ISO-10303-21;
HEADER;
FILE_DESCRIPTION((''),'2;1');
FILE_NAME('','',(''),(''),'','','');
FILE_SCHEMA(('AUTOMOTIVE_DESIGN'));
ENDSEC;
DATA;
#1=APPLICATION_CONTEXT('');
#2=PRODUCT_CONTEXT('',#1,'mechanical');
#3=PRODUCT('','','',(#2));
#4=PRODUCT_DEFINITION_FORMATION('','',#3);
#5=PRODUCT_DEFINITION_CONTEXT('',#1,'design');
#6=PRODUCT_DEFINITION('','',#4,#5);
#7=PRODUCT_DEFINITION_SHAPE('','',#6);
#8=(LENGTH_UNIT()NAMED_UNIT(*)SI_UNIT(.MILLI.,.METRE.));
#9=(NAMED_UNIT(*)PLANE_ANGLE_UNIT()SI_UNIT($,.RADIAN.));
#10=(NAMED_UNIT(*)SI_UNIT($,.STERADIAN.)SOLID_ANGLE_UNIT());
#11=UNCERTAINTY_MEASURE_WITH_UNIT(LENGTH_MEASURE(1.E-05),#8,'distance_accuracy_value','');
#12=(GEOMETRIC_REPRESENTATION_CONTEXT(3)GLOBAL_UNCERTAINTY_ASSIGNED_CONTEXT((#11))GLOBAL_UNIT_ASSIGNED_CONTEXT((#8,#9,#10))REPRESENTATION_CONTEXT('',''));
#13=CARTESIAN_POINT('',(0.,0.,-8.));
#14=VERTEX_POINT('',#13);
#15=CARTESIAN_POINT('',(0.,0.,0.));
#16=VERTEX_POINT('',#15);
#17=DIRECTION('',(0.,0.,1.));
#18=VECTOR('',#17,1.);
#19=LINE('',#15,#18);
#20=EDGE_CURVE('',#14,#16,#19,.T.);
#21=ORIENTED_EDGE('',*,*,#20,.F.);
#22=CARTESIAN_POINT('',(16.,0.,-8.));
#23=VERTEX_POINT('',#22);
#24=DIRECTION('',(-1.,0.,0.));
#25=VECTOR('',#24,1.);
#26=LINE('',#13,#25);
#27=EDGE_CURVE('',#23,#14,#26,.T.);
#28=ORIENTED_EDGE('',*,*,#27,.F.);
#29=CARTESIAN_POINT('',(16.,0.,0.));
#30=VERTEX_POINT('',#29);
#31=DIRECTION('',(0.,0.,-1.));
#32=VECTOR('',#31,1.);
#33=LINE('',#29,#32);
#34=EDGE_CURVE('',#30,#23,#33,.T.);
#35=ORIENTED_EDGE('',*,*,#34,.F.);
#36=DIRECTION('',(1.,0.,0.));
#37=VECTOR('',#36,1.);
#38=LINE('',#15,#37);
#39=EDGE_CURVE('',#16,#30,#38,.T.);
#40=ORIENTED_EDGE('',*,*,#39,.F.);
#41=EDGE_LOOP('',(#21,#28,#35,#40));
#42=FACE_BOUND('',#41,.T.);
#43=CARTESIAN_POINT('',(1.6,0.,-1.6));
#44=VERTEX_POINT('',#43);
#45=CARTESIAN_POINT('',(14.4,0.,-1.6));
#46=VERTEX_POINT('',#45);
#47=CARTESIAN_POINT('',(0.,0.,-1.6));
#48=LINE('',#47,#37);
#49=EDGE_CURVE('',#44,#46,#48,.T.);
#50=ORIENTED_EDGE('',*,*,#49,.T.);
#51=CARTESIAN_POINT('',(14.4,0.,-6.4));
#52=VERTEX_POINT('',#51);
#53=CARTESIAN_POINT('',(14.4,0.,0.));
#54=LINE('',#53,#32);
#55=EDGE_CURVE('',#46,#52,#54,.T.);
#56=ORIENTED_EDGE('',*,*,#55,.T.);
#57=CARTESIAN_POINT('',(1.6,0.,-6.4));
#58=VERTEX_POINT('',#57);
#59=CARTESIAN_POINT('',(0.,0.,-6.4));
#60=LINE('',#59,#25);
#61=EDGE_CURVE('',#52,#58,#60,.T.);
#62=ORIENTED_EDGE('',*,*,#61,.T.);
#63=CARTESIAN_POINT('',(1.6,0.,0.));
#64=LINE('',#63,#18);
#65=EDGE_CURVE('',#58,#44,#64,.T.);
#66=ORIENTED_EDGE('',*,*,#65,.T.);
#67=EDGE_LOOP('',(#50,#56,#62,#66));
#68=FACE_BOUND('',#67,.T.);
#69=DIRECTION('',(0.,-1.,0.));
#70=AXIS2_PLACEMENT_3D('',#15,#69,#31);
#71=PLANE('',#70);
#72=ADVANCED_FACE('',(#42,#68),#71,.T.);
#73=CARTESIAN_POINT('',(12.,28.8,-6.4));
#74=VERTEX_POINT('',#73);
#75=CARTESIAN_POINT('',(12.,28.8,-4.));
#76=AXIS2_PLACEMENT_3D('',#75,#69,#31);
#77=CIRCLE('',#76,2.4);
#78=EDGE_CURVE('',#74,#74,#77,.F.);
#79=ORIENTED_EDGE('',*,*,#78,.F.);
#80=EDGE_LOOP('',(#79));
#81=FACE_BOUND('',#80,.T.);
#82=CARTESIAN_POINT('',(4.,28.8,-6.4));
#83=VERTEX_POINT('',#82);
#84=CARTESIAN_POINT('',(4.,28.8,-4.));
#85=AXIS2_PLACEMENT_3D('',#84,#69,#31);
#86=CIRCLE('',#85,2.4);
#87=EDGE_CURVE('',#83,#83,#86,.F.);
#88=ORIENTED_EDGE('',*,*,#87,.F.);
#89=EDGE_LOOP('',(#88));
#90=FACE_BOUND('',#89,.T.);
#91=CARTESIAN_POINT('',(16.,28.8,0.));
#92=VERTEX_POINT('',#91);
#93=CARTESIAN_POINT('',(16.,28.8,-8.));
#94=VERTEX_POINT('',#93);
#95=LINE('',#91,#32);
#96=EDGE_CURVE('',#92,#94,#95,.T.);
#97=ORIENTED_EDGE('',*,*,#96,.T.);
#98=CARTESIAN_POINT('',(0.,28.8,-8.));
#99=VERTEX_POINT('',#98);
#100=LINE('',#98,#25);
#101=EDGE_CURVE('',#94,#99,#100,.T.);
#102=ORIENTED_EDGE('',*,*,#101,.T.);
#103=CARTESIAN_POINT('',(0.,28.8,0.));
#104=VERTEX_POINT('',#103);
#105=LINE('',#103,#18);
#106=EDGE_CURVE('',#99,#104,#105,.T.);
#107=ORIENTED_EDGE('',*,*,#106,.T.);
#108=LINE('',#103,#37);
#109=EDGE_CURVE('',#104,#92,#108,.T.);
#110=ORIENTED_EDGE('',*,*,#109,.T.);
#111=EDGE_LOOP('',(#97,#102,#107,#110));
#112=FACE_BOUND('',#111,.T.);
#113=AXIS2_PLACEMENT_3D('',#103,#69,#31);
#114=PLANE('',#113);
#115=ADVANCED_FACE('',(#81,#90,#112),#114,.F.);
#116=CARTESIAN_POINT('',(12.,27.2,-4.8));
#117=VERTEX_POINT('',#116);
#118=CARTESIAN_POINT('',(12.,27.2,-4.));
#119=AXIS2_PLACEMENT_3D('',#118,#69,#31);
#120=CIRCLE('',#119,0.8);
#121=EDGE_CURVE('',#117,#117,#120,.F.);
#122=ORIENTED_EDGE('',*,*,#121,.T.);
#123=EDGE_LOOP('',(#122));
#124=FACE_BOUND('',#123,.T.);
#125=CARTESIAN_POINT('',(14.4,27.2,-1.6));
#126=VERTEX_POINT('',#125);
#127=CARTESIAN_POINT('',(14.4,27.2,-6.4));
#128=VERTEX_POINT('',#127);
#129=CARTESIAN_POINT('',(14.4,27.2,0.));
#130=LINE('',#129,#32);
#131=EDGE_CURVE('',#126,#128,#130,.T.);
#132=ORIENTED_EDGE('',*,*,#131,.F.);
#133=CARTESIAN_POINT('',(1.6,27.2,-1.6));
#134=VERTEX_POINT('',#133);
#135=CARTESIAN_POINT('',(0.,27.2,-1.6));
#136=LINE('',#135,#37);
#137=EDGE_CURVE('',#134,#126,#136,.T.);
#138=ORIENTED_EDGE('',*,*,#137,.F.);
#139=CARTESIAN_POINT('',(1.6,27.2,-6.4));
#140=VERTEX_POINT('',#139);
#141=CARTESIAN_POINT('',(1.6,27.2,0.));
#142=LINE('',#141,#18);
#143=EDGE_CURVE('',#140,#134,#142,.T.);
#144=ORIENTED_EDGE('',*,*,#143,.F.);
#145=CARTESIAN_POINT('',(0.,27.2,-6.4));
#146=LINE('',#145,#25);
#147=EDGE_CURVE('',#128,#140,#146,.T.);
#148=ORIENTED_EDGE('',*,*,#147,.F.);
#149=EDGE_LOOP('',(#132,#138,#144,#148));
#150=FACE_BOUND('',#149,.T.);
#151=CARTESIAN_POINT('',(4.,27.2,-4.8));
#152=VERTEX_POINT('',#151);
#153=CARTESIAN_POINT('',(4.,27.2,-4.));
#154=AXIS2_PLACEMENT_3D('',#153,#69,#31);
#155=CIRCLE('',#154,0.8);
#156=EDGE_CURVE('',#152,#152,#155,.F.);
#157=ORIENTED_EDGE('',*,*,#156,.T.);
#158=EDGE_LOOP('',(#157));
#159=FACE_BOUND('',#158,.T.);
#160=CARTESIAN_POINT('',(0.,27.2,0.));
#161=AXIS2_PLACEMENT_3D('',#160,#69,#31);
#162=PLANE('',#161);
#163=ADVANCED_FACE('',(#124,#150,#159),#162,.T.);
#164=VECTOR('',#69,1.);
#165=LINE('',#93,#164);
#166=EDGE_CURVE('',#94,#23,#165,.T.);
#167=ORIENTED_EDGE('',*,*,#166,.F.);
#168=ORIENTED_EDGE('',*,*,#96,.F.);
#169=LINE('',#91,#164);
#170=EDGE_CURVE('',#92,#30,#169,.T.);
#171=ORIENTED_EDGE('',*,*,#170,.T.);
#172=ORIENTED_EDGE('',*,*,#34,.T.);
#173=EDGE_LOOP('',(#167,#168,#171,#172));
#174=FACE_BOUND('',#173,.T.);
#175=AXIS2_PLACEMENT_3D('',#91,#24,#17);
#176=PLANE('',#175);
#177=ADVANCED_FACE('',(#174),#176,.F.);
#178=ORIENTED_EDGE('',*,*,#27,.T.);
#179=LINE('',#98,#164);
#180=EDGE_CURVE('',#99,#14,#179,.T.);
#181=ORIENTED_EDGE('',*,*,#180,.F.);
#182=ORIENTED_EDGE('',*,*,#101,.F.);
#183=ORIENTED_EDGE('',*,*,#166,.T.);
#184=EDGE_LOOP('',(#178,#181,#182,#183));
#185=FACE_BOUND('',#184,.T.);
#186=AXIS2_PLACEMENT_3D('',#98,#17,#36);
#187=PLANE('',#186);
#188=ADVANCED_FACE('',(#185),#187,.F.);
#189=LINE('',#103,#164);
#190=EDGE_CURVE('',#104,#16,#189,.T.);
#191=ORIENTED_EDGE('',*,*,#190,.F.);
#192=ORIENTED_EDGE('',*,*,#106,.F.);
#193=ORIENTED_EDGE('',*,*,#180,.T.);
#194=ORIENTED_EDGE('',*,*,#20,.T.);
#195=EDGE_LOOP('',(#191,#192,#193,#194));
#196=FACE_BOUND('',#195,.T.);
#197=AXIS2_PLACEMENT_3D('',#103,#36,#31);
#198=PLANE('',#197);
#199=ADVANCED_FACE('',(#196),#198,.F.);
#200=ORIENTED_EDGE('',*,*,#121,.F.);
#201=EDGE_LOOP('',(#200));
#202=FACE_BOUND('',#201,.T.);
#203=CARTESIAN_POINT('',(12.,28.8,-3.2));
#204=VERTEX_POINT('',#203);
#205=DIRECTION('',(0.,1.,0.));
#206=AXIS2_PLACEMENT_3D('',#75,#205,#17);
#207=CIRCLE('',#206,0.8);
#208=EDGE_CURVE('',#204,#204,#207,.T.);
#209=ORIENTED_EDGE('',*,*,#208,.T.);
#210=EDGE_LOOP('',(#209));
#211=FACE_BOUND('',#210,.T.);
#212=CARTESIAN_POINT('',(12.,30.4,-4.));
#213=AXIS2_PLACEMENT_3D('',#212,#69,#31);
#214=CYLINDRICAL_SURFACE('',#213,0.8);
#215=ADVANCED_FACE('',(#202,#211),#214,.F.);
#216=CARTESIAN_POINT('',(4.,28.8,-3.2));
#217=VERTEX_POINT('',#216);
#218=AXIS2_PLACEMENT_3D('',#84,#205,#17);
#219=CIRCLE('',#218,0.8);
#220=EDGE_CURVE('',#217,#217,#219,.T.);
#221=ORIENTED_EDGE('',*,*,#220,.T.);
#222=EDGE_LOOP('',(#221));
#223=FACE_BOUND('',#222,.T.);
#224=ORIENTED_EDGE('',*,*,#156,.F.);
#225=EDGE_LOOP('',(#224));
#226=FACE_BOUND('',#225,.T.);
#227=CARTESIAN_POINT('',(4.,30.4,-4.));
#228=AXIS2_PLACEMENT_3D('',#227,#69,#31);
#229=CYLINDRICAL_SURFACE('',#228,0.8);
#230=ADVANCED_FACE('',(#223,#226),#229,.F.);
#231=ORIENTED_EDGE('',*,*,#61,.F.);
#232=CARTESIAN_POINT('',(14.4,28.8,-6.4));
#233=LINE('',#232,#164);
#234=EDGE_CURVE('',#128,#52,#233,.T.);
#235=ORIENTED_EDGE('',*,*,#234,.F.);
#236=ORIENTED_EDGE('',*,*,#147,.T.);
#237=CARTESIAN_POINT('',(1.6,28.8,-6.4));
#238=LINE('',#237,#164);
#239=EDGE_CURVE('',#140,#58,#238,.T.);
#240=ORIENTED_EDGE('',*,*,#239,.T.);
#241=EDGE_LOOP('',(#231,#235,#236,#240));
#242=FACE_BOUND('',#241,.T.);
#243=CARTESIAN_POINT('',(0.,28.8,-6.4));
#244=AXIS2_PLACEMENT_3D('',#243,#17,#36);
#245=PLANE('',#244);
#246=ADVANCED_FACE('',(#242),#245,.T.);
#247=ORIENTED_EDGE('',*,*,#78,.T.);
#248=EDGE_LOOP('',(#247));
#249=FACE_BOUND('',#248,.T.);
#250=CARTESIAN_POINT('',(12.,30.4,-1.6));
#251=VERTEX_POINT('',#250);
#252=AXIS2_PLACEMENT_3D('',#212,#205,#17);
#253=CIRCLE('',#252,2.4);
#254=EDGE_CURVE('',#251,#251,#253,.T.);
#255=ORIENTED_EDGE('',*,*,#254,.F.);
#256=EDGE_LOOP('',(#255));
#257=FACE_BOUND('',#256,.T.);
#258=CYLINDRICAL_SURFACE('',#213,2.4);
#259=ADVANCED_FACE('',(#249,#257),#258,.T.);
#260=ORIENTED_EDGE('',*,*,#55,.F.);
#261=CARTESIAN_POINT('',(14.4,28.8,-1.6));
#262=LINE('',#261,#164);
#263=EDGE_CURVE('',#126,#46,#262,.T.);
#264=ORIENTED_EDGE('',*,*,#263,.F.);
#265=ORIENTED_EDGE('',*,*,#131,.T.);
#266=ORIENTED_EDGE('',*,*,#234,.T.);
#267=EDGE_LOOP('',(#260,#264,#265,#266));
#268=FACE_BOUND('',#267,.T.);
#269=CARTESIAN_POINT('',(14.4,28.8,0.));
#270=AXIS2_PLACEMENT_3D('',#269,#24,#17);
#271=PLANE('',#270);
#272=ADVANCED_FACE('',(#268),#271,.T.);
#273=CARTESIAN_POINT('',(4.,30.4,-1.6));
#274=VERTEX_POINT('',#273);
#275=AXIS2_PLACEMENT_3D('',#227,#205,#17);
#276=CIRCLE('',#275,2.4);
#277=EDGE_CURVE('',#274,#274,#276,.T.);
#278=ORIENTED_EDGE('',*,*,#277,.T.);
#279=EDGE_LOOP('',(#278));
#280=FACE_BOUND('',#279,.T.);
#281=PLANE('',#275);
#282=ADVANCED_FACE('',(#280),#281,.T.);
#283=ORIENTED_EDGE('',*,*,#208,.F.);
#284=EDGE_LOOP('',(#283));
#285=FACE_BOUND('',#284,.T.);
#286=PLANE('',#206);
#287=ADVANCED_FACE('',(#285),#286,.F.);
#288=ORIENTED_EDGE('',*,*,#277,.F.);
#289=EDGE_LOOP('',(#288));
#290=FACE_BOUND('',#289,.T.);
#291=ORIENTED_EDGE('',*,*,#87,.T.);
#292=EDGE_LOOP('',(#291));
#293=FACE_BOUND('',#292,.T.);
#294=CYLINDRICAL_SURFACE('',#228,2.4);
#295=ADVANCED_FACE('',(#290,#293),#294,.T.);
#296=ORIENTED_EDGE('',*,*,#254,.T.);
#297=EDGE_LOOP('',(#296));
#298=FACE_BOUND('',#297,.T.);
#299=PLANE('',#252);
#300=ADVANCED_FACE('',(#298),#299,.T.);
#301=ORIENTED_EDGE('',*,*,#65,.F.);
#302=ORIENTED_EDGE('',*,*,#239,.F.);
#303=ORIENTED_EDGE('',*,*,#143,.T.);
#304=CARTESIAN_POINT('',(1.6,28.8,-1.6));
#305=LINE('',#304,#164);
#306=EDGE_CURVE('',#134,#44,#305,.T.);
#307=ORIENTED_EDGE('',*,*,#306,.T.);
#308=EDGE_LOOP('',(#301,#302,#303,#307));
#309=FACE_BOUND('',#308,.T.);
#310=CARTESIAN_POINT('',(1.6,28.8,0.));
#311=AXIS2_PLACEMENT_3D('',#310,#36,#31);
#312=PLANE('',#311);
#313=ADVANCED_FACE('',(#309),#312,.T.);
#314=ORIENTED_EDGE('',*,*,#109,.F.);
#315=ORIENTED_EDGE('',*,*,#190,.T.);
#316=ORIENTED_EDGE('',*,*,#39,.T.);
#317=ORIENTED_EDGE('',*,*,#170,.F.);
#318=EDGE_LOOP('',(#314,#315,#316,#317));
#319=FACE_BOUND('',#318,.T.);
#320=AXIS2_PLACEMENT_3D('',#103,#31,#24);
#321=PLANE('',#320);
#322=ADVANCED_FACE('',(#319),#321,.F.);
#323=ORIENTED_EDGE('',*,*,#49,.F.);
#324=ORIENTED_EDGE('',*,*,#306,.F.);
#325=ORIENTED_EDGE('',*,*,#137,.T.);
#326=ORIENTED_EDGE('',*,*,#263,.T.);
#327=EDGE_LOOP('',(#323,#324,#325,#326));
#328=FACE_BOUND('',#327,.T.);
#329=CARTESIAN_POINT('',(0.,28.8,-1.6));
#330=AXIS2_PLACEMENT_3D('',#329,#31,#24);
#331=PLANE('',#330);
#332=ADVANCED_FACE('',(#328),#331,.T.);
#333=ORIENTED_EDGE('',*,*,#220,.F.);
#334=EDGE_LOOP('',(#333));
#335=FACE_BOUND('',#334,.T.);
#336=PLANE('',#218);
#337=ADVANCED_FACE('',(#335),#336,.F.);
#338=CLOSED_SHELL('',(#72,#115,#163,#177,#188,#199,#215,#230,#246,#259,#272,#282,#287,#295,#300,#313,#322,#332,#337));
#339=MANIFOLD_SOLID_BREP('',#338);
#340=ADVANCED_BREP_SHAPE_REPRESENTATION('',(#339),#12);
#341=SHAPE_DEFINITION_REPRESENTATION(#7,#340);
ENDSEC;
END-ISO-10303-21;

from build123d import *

# Parameters (mm, degrees)
SKETCH1_W            = 16
SKETCH1_H            = 8
BOSS_EXTRUDE1_DEPTH  = 28.8
SKETCH2_R            = 2.4
BOSS_EXTRUDE2_DEPTH  = 1.6
LPATTERN1_COUNT      = 2
LPATTERN1_PITCH      = 8
LPATTERN1_COUNT_DIR2 = 4
LPATTERN1_PITCH_DIR2 = 8
SHELL1_T             = -1.6


with BuildPart() as part:
    # Sketch1 → Boss-Extrude1 (new body)
    with BuildSketch(Plane(origin=(0, 0, 0), x_dir=(1, 0, 0), z_dir=(0, 1, 0))):
        with Locations((8, 4)):
            Rectangle(SKETCH1_W, SKETCH1_H)
    extrude(amount=BOSS_EXTRUDE1_DEPTH)

    # Sketch2 → Boss-Extrude2 (add)
    with BuildSketch(Plane(origin=(0, 28.8, 0), x_dir=(1, 0, 0), z_dir=(0, 1, 0))):
        with Locations(Location((12, 4, 0), (0, 0, 90))):
            Circle(SKETCH2_R)
    boss_extrude2 = extrude(amount=BOSS_EXTRUDE2_DEPTH)

    # LPattern1: Boss-Extrude2 2 × 4, 6 skipped
    with Locations(*[(-i * LPATTERN1_PITCH, 0, -j * LPATTERN1_PITCH_DIR2) for i in range(LPATTERN1_COUNT) for j in range(LPATTERN1_COUNT_DIR2) if (i, j) not in ((0, 0), (0, 1), (0, 2), (0, 3), (1, 1), (1, 2), (1, 3))]):
        add(boss_extrude2)

    # Shell1
    shell1_openings = [part.faces().sort_by_distance(p)[0] for p in [
        (8, 0, -4),
    ]]
    offset(amount=SHELL1_T, openings=shell1_openings, kind=Kind.INTERSECTION)


solid = part.part
